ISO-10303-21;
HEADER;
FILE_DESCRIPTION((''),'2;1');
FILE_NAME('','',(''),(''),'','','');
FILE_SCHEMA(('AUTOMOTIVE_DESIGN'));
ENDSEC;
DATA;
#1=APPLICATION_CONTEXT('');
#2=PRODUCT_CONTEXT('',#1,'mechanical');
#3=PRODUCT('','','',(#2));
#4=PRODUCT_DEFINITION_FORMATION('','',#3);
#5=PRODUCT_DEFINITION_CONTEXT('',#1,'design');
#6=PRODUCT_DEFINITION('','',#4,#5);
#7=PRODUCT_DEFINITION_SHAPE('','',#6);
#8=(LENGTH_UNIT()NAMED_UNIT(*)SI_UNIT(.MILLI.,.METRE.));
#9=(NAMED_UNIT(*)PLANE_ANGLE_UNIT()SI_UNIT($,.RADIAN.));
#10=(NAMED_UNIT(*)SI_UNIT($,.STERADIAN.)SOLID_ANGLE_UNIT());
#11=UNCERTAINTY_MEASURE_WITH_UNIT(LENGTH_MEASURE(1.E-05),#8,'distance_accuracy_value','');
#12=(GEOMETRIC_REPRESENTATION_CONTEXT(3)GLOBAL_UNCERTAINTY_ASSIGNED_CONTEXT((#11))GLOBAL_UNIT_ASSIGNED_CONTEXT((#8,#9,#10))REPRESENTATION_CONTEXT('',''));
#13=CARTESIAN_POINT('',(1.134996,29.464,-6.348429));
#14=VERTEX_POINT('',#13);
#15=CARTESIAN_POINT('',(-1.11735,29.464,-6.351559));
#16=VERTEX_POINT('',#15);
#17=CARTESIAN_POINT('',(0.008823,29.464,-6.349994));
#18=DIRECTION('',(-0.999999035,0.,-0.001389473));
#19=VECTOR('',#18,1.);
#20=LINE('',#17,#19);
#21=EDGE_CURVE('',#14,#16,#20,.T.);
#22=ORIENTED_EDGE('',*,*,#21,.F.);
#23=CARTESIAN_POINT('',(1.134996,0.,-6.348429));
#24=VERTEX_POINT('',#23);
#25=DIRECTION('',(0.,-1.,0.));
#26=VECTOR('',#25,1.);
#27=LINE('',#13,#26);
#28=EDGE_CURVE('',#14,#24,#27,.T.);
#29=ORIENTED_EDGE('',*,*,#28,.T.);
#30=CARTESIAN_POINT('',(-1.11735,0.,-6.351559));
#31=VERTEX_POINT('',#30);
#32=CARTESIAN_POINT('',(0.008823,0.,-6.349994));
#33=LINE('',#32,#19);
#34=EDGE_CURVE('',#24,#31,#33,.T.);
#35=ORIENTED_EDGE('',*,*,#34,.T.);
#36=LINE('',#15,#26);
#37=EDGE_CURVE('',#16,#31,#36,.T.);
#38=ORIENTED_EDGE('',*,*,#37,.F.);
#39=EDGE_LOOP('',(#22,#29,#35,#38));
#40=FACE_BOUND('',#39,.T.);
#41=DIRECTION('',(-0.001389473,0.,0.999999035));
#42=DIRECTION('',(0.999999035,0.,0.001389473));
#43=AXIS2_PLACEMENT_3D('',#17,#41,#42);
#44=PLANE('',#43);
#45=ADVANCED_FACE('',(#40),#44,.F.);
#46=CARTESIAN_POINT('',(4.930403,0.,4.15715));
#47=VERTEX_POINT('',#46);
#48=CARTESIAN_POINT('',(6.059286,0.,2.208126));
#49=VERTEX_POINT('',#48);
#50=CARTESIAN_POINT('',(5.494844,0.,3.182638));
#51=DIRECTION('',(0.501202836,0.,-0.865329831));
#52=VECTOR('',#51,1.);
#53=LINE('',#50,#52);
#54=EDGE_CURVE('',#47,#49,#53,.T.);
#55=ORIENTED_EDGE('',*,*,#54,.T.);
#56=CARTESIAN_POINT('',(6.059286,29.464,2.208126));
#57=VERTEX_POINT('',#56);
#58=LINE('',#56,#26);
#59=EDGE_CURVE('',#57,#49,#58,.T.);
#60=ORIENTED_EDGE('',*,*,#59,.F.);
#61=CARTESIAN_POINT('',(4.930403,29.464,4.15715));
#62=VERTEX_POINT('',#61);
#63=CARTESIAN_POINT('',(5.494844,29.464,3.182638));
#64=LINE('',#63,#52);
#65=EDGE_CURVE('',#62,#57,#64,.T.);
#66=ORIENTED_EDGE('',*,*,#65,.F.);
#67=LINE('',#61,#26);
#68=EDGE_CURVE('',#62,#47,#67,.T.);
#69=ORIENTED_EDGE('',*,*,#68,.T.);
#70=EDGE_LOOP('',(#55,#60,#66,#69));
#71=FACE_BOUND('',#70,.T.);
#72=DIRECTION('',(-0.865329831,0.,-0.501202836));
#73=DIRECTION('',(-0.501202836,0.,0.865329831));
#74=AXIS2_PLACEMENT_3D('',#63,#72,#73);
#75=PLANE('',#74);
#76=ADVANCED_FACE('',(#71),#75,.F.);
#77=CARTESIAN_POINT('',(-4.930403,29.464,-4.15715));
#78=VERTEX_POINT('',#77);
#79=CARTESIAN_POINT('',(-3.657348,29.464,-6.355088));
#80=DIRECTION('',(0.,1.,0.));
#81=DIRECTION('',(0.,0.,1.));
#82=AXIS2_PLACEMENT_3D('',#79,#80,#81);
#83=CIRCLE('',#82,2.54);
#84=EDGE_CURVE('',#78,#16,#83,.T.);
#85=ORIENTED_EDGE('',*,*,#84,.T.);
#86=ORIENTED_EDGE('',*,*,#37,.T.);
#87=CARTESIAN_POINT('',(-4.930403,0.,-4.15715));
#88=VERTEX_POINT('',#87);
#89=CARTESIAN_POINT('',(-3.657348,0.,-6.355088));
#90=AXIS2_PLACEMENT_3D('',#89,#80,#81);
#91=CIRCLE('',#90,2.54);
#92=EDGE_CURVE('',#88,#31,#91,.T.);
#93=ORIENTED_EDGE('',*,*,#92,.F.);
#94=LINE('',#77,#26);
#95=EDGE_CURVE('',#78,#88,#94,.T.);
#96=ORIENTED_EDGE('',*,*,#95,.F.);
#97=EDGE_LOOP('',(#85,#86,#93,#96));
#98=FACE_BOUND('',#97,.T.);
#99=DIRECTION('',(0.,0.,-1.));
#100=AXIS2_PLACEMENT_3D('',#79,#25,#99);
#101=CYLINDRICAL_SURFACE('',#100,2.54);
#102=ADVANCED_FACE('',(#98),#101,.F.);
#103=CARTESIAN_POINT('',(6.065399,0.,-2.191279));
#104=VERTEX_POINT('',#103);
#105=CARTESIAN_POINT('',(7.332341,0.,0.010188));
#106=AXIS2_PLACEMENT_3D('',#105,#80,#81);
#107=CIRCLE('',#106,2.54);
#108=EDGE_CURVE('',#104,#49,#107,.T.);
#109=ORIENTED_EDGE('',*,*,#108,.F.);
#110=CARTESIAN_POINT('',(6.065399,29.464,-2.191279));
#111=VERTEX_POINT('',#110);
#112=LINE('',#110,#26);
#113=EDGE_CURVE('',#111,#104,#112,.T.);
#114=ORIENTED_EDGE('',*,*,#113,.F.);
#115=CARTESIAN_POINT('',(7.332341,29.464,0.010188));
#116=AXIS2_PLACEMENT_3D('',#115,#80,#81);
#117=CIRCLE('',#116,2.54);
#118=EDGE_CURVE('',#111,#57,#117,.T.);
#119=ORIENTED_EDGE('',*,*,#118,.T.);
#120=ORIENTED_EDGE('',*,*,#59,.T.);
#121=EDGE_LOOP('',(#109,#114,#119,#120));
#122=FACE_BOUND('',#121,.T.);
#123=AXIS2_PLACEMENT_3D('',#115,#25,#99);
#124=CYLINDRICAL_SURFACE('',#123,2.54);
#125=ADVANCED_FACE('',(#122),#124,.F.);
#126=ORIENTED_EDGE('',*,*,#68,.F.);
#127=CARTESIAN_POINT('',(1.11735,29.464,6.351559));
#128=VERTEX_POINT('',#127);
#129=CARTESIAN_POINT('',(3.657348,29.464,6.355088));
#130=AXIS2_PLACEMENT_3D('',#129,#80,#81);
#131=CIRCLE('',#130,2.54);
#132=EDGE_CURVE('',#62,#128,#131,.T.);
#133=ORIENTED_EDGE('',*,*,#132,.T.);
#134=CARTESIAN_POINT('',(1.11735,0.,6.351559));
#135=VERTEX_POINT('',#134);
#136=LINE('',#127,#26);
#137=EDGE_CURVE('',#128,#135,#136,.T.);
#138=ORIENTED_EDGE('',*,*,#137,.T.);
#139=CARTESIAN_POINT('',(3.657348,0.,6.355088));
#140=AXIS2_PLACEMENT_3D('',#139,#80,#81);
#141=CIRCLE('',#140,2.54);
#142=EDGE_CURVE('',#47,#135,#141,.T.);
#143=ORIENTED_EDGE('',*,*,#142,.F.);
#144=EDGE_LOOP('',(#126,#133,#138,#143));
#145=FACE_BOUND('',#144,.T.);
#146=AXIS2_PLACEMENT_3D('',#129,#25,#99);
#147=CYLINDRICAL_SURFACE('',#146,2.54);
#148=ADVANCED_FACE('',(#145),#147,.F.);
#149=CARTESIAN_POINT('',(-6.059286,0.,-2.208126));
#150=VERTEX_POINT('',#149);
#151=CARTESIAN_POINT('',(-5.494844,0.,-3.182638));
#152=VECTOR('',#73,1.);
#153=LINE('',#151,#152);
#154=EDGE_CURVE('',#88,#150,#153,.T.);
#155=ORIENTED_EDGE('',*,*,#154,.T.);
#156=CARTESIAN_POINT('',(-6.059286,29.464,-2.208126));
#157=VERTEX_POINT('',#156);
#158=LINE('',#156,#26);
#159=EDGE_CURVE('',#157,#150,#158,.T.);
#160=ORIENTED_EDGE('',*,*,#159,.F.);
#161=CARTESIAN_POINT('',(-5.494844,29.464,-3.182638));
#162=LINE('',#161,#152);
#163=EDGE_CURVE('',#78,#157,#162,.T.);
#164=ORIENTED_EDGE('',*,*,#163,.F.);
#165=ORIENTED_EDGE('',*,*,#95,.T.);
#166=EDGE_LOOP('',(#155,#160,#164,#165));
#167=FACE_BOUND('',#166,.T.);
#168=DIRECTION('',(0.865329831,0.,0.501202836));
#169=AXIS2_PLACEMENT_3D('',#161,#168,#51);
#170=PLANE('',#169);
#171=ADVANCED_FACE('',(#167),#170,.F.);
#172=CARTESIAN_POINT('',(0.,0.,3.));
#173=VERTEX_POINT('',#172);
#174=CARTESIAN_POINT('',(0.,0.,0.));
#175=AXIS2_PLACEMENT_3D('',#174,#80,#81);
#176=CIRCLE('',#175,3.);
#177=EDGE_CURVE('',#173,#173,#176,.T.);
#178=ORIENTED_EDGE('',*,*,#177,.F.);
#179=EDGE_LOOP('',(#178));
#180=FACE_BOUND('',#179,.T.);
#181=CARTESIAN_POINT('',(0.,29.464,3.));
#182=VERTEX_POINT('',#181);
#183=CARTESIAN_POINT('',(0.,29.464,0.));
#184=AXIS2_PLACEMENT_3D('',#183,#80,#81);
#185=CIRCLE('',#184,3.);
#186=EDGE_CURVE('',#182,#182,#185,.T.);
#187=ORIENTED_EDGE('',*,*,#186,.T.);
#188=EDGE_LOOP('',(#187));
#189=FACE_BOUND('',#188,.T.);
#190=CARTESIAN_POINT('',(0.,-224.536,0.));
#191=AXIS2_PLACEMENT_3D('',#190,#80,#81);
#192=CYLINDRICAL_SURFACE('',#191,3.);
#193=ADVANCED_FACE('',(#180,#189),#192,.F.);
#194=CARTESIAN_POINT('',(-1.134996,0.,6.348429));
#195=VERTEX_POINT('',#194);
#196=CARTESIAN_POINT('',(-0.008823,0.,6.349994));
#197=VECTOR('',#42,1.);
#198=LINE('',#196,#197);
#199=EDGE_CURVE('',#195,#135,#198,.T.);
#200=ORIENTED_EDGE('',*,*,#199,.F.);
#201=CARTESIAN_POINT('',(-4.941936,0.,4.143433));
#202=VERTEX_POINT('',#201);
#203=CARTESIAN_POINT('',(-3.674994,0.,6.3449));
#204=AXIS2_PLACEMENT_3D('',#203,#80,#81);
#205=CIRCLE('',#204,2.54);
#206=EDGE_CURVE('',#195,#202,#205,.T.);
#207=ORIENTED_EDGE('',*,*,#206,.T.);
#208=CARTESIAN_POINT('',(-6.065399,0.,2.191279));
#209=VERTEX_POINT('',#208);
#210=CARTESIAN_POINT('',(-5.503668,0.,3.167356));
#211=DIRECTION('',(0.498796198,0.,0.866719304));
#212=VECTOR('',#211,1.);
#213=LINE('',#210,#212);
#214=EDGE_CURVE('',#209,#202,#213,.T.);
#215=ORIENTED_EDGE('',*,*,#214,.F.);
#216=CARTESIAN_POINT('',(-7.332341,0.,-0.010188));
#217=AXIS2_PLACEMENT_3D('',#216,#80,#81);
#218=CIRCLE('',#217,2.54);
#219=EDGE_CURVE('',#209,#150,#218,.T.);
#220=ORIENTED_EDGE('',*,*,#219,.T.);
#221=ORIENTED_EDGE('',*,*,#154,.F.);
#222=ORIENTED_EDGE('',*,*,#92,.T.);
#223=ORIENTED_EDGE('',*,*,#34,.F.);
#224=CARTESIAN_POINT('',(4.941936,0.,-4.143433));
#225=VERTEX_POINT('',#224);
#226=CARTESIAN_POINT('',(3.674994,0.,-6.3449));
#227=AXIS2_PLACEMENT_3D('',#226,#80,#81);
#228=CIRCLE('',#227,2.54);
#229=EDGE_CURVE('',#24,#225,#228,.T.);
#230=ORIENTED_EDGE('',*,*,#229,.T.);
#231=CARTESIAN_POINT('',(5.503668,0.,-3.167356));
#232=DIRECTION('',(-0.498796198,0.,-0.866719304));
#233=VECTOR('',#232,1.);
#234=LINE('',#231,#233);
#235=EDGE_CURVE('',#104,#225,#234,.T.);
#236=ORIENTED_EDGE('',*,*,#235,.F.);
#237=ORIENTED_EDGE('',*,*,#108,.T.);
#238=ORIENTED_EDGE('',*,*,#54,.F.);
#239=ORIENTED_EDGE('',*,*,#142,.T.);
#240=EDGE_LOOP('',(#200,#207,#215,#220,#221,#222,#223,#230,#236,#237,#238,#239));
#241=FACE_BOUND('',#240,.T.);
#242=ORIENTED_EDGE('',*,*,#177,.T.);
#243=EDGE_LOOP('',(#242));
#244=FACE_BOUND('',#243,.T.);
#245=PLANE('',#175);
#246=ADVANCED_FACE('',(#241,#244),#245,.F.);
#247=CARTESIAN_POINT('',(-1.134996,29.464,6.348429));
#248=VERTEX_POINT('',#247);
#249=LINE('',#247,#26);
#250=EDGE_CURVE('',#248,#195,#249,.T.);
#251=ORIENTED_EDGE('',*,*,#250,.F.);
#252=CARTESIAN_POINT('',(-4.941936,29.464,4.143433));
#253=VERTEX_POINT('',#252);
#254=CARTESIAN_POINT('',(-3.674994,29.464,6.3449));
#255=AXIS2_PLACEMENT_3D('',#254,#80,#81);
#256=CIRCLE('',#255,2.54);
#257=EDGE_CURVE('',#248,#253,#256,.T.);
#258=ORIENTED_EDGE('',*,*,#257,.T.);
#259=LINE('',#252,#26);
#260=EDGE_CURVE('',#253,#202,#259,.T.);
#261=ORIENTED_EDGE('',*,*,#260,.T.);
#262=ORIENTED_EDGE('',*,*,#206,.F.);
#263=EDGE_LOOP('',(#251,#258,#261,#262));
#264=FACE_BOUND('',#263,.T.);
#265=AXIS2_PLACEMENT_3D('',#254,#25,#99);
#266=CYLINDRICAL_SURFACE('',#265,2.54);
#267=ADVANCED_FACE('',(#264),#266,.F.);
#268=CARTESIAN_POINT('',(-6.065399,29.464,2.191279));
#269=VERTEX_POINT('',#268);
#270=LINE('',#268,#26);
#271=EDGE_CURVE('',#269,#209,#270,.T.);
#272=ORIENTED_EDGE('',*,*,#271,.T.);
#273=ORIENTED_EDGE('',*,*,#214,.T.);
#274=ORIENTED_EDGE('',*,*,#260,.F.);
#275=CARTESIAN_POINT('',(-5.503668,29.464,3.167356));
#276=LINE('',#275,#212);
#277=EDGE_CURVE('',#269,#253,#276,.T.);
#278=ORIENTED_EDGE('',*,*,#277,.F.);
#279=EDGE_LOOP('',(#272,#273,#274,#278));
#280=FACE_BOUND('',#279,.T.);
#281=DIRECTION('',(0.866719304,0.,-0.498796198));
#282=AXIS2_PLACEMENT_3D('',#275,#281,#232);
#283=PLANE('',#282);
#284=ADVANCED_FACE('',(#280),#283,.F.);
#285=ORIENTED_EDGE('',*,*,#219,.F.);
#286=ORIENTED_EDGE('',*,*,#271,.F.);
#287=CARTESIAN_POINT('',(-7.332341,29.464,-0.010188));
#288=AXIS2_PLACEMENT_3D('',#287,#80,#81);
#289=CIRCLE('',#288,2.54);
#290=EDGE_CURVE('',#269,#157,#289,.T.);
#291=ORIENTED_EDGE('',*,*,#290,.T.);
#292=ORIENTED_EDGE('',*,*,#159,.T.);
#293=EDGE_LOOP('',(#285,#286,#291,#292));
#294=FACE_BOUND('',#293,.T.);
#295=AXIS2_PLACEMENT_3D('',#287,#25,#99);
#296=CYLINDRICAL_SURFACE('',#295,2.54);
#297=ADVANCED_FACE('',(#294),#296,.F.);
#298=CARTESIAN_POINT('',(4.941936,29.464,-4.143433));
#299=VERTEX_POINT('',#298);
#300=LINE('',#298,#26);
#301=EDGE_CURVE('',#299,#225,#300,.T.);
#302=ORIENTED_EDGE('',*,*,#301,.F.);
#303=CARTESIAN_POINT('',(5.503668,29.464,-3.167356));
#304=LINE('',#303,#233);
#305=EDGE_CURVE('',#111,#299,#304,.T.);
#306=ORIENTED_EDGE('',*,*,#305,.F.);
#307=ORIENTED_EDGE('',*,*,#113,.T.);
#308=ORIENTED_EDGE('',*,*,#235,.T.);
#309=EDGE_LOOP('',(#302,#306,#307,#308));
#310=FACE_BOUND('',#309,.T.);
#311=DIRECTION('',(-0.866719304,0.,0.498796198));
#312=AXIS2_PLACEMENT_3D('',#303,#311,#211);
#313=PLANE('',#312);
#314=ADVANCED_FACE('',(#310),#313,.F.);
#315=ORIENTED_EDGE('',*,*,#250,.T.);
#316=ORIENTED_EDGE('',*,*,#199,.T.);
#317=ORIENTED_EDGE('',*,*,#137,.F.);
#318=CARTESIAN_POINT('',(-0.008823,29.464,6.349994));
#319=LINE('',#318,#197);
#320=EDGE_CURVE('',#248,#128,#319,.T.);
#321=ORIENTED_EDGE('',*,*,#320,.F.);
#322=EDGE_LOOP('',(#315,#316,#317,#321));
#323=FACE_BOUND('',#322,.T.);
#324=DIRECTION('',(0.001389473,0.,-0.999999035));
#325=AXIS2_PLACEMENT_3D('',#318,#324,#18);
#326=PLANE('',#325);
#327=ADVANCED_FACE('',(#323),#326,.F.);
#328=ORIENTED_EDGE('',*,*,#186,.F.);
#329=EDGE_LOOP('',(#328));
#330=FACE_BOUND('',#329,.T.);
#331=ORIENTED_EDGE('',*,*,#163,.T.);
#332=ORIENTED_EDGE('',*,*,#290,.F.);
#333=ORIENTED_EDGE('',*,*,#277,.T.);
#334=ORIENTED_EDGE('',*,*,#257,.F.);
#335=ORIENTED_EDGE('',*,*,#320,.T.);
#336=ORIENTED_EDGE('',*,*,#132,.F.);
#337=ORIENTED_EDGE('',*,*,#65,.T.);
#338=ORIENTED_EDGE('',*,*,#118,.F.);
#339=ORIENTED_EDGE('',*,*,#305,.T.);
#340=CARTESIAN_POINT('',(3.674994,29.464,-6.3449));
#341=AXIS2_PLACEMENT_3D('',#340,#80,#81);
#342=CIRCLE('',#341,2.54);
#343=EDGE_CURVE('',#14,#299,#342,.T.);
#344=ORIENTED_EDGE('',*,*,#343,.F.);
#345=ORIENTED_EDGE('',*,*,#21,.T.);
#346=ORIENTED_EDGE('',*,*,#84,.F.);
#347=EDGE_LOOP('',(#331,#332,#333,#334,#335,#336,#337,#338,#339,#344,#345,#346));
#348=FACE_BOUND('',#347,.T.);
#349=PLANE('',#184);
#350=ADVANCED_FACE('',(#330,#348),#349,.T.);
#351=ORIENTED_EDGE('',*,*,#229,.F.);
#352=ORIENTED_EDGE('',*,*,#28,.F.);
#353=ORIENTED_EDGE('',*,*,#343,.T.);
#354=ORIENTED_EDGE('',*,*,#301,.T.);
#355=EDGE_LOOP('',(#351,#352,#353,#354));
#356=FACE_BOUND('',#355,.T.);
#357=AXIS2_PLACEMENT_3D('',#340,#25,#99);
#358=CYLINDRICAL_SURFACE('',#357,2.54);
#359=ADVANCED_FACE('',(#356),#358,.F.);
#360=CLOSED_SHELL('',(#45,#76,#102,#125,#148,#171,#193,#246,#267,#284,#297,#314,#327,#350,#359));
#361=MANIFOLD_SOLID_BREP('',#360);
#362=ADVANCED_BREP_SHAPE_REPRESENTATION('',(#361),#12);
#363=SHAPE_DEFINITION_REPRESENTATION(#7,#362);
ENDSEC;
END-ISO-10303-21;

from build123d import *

# Parameters (mm, degrees)
BOSS_EXTRUDE1_DEPTH = 29.464
SKETCH2_R           = 3
CUT_EXTRUDE1_DEPTH  = 254


with BuildPart() as part:
    # Sketch1 → Boss-Extrude1 (new body)
    with BuildSketch(Plane(origin=(0, 0, 0), x_dir=(1, 0, 0), z_dir=(0, 1, 0))):
        with BuildLine():
            ThreePointArc((1.117349967, -6.351558659), (2.390405172, -4.153620888), (4.93040272, -4.15715015))
            Line((4.93040272, -4.15715015), (6.059286136, -2.208125873))
            ThreePointArc((6.059286136, -2.208125873), (4.792343793, -0.00665884), (6.065398997, 2.191278931))
            Line((6.065398997, 2.191278931), (4.941936169, 4.143432786))
            ThreePointArc((4.941936169, 4.143432786), (2.401938621, 4.146962048), (1.134996277, 6.348429081))
            Line((1.134996277, 6.348429081), (-1.117349967, 6.351558659))
            ThreePointArc((-1.117349967, 6.351558659), (-2.390405172, 4.153620888), (-4.93040272, 4.15715015))
            Line((-4.93040272, 4.15715015), (-6.059286136, 2.208125873))
            ThreePointArc((-6.059286136, 2.208125873), (-5.13175503, 1.27865958), (-4.792341341, 0.010188102))
            ThreePointArc((-4.792341341, 0.010188102), (-5.133519662, -1.261339807), (-6.065398997, -2.191278931))
            Line((-6.065398997, -2.191278931), (-4.941936169, -4.143432786))
            ThreePointArc((-4.941936169, -4.143432786), (-2.403465916, -4.14607814), (-1.134993825, -6.344899819))
            ThreePointArc((-1.134993825, -6.344899819), (-1.134994438, -6.346664451), (-1.134996277, -6.348429081))
            Line((-1.134996277, -6.348429081), (1.117349967, -6.351558659))
        make_face()
    extrude(amount=BOSS_EXTRUDE1_DEPTH)

    # Sketch2 → Cut-Extrude1 (cut)
    with BuildSketch(Plane(origin=(0, 29.464, 0), x_dir=(1, 0, 0), z_dir=(0, 1, 0))):
        Circle(SKETCH2_R)
    extrude(amount=-CUT_EXTRUDE1_DEPTH, mode=Mode.SUBTRACT)


solid = part.part
